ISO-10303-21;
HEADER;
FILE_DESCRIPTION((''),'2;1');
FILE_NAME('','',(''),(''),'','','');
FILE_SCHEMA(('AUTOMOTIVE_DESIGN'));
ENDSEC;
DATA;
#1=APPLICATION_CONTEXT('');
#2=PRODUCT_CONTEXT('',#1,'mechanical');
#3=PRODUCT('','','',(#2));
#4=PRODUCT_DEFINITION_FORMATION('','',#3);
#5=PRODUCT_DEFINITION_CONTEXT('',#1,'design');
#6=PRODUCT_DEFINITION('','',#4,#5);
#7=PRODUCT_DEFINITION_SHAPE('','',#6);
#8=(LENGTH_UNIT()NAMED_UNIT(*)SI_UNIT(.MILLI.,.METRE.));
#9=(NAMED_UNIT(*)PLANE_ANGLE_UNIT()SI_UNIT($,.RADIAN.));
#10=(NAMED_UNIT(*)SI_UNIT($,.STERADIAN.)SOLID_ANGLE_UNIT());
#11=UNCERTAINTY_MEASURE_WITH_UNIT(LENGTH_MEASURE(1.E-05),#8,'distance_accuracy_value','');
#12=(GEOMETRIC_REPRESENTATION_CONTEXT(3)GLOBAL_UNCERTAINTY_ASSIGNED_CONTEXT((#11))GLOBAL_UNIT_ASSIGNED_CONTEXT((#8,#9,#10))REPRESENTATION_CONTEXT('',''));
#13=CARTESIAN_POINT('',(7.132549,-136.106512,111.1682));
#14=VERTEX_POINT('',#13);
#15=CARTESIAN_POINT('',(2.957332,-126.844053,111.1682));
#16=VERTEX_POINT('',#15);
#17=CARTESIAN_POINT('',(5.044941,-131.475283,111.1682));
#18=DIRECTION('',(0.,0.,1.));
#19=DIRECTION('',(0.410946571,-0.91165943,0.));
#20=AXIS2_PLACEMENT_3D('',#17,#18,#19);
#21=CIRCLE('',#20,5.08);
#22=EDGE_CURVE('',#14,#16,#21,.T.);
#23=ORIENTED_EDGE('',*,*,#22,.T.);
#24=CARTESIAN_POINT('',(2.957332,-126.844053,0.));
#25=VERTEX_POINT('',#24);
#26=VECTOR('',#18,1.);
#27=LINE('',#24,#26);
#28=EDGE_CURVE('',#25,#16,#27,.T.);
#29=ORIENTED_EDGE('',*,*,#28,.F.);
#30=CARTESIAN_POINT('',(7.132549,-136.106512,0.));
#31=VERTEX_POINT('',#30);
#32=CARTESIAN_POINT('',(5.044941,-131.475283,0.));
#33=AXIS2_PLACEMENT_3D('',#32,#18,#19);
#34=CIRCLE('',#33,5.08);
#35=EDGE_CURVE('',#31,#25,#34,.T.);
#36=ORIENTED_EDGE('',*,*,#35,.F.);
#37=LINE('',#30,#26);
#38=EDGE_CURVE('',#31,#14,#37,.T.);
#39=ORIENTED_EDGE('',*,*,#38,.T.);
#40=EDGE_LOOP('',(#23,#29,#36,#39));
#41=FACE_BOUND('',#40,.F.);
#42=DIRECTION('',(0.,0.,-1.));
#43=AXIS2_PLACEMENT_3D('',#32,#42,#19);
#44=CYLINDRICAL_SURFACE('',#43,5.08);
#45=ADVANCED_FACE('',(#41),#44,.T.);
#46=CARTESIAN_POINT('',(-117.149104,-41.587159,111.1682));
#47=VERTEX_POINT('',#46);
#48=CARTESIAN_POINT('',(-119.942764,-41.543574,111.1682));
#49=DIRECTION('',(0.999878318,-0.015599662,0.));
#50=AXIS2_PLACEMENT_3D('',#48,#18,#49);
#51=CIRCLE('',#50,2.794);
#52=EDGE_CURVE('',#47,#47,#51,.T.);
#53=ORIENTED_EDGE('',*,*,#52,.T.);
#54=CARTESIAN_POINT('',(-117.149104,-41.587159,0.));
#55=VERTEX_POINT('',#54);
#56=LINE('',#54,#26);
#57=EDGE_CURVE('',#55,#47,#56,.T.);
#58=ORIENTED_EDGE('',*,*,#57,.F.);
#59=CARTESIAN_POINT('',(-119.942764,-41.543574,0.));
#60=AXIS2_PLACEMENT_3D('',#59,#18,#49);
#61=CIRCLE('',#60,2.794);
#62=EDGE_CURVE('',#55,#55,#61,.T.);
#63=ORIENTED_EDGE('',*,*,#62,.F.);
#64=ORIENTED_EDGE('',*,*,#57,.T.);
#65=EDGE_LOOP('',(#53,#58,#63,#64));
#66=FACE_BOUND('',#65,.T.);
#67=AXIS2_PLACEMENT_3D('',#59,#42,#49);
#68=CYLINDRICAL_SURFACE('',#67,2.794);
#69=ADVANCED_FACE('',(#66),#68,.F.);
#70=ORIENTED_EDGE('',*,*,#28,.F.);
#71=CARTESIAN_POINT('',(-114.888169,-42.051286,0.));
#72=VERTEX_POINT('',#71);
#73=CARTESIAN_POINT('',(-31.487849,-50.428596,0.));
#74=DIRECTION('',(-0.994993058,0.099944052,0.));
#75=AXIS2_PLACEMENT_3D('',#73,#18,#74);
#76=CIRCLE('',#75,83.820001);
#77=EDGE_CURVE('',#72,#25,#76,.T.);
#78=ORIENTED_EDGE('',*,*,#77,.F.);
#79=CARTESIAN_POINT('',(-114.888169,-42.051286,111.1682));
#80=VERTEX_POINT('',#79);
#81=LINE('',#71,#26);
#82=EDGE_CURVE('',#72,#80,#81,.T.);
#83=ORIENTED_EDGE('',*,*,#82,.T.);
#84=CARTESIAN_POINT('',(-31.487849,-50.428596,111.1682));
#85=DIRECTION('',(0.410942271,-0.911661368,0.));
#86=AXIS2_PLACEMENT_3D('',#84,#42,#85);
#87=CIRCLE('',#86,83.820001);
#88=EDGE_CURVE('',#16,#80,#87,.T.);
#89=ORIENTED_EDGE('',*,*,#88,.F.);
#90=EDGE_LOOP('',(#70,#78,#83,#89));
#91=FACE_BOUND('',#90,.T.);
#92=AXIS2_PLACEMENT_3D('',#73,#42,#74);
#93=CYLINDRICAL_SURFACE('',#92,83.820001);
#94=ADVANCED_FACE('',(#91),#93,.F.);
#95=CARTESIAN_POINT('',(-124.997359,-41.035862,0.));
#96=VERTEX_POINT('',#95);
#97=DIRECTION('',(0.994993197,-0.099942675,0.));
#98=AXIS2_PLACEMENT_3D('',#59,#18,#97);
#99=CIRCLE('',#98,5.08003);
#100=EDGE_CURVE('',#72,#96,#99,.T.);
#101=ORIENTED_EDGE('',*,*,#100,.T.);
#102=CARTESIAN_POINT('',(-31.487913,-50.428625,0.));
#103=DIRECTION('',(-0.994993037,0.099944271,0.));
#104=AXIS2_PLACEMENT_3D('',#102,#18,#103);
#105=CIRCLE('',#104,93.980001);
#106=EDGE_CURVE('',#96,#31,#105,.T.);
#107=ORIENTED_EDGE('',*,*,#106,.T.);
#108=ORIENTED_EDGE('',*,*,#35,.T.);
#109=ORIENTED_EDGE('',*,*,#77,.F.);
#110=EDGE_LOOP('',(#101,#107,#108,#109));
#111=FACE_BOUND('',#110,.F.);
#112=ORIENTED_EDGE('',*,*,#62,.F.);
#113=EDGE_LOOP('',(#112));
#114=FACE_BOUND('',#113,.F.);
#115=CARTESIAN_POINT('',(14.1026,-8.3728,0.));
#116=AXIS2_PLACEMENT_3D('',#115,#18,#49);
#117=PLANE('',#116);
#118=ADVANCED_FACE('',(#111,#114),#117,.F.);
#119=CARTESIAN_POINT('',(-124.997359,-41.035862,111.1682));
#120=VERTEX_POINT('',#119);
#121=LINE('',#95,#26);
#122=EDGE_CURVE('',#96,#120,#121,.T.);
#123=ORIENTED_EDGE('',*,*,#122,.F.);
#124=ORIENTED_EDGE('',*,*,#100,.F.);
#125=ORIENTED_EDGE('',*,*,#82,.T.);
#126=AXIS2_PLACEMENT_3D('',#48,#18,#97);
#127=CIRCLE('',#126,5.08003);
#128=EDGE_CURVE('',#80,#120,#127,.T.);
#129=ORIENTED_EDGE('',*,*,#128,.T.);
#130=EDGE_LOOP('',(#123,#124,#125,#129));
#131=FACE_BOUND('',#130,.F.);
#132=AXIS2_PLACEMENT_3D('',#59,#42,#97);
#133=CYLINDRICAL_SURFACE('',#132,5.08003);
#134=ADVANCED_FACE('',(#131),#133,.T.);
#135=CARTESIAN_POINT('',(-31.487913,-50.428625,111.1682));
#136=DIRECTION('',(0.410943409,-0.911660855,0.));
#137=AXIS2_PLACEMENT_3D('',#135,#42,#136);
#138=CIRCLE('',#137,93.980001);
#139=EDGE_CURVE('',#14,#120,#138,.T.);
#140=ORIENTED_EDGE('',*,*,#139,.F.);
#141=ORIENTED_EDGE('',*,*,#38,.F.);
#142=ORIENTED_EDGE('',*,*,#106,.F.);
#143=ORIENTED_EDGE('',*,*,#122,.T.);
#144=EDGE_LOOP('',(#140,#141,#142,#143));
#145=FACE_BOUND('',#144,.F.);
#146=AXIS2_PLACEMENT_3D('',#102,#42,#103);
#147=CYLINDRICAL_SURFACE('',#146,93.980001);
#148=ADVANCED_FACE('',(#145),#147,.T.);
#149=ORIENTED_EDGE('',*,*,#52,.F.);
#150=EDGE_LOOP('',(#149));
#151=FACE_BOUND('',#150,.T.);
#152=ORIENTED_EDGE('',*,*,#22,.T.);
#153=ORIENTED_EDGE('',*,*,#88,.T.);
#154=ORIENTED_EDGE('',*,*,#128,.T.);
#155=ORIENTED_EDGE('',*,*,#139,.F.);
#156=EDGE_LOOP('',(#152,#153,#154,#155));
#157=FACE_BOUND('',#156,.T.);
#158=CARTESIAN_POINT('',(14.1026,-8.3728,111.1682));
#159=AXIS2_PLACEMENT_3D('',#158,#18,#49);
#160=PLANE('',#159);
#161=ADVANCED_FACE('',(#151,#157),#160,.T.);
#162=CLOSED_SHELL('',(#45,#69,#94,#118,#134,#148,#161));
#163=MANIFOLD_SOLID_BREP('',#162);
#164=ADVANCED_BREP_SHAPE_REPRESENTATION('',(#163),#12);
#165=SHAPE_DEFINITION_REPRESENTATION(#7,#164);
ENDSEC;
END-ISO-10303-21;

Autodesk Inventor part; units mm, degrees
ref_plane "YZ Plane" through (0, 0, 0) normal (1, 0, 0) x (0, 1, 0)
ref_plane "Work Plane1" through (14.1026, -8.3728, 0) normal (0, 0, 1) x (0.9999, -0.0156, 0)
sketch "Sketch1" plane through (14.1026, -8.3728, 0) normal (0, 0, 1) x (0.9999, -0.0156, 0)
  circle A0 centre (-133.5116, -35.2578) radius 2.794 projected
  circle A1 centre (-7.1362, -123.2288) radius 2.286 construction
  circle A2 centre (-67.2141, -131.9038) radius 3.9624 construction
  circle A3 centre (-44.9289, -42.7619) radius 2.286 projected
  arc A4 (-133.5116, -35.2578) -> (-7.1362, -123.2288) centre (-44.9289, -42.7619) ccw construction
  arc A5 (-113.6145, -38.2305) -> (-113.6145, -38.2305) centre (-133.5116, -35.2578) ccw
  arc A6 (-5.1205, -129.2504) -> (-5.1205, -129.2504) centre (-7.1362, -123.2288) ccw
  arc A7 (-133.5116, -35.2578) -> (-7.1362, -123.2288) centre (-44.9289, -42.7619) ccw construction
  arc A8 (-138.5735, -34.829) -> (-4.9766, -127.8269) centre (-44.9289, -42.7619) ccw
  arc A9 (-128.4497, -35.6866) -> (-9.2958, -118.6307) centre (-44.9289, -42.7619) ccw
  arc A10 (-128.4497, -35.6866) -> (-138.5735, -34.829) centre (-133.5116, -35.2578) ccw
  arc A11 (-4.9766, -127.8269) -> (-9.2958, -118.6307) centre (-7.1362, -123.2288) ccw
  point P0 (-14.2313, 8.1521)
  dimension "d0" = 12.7
  dimension "d3" = 10.16
ref_plane "Work Plane2" through (-268.3983, -269.3131, 111.1682) normal (0, 0, -1) x (0, 1, 0)
extrude "Extrusion1" add sketch "Sketch1" along normal up to surface (111.1682 mm away) contours A8 A10 A9 A5 | A5 A9 A6 A8 | A6 A9 A11 A8 picked at (-134.0145, -50.6087) picked at (-9.8396, -124.4417)
properties part number "Mesh"
